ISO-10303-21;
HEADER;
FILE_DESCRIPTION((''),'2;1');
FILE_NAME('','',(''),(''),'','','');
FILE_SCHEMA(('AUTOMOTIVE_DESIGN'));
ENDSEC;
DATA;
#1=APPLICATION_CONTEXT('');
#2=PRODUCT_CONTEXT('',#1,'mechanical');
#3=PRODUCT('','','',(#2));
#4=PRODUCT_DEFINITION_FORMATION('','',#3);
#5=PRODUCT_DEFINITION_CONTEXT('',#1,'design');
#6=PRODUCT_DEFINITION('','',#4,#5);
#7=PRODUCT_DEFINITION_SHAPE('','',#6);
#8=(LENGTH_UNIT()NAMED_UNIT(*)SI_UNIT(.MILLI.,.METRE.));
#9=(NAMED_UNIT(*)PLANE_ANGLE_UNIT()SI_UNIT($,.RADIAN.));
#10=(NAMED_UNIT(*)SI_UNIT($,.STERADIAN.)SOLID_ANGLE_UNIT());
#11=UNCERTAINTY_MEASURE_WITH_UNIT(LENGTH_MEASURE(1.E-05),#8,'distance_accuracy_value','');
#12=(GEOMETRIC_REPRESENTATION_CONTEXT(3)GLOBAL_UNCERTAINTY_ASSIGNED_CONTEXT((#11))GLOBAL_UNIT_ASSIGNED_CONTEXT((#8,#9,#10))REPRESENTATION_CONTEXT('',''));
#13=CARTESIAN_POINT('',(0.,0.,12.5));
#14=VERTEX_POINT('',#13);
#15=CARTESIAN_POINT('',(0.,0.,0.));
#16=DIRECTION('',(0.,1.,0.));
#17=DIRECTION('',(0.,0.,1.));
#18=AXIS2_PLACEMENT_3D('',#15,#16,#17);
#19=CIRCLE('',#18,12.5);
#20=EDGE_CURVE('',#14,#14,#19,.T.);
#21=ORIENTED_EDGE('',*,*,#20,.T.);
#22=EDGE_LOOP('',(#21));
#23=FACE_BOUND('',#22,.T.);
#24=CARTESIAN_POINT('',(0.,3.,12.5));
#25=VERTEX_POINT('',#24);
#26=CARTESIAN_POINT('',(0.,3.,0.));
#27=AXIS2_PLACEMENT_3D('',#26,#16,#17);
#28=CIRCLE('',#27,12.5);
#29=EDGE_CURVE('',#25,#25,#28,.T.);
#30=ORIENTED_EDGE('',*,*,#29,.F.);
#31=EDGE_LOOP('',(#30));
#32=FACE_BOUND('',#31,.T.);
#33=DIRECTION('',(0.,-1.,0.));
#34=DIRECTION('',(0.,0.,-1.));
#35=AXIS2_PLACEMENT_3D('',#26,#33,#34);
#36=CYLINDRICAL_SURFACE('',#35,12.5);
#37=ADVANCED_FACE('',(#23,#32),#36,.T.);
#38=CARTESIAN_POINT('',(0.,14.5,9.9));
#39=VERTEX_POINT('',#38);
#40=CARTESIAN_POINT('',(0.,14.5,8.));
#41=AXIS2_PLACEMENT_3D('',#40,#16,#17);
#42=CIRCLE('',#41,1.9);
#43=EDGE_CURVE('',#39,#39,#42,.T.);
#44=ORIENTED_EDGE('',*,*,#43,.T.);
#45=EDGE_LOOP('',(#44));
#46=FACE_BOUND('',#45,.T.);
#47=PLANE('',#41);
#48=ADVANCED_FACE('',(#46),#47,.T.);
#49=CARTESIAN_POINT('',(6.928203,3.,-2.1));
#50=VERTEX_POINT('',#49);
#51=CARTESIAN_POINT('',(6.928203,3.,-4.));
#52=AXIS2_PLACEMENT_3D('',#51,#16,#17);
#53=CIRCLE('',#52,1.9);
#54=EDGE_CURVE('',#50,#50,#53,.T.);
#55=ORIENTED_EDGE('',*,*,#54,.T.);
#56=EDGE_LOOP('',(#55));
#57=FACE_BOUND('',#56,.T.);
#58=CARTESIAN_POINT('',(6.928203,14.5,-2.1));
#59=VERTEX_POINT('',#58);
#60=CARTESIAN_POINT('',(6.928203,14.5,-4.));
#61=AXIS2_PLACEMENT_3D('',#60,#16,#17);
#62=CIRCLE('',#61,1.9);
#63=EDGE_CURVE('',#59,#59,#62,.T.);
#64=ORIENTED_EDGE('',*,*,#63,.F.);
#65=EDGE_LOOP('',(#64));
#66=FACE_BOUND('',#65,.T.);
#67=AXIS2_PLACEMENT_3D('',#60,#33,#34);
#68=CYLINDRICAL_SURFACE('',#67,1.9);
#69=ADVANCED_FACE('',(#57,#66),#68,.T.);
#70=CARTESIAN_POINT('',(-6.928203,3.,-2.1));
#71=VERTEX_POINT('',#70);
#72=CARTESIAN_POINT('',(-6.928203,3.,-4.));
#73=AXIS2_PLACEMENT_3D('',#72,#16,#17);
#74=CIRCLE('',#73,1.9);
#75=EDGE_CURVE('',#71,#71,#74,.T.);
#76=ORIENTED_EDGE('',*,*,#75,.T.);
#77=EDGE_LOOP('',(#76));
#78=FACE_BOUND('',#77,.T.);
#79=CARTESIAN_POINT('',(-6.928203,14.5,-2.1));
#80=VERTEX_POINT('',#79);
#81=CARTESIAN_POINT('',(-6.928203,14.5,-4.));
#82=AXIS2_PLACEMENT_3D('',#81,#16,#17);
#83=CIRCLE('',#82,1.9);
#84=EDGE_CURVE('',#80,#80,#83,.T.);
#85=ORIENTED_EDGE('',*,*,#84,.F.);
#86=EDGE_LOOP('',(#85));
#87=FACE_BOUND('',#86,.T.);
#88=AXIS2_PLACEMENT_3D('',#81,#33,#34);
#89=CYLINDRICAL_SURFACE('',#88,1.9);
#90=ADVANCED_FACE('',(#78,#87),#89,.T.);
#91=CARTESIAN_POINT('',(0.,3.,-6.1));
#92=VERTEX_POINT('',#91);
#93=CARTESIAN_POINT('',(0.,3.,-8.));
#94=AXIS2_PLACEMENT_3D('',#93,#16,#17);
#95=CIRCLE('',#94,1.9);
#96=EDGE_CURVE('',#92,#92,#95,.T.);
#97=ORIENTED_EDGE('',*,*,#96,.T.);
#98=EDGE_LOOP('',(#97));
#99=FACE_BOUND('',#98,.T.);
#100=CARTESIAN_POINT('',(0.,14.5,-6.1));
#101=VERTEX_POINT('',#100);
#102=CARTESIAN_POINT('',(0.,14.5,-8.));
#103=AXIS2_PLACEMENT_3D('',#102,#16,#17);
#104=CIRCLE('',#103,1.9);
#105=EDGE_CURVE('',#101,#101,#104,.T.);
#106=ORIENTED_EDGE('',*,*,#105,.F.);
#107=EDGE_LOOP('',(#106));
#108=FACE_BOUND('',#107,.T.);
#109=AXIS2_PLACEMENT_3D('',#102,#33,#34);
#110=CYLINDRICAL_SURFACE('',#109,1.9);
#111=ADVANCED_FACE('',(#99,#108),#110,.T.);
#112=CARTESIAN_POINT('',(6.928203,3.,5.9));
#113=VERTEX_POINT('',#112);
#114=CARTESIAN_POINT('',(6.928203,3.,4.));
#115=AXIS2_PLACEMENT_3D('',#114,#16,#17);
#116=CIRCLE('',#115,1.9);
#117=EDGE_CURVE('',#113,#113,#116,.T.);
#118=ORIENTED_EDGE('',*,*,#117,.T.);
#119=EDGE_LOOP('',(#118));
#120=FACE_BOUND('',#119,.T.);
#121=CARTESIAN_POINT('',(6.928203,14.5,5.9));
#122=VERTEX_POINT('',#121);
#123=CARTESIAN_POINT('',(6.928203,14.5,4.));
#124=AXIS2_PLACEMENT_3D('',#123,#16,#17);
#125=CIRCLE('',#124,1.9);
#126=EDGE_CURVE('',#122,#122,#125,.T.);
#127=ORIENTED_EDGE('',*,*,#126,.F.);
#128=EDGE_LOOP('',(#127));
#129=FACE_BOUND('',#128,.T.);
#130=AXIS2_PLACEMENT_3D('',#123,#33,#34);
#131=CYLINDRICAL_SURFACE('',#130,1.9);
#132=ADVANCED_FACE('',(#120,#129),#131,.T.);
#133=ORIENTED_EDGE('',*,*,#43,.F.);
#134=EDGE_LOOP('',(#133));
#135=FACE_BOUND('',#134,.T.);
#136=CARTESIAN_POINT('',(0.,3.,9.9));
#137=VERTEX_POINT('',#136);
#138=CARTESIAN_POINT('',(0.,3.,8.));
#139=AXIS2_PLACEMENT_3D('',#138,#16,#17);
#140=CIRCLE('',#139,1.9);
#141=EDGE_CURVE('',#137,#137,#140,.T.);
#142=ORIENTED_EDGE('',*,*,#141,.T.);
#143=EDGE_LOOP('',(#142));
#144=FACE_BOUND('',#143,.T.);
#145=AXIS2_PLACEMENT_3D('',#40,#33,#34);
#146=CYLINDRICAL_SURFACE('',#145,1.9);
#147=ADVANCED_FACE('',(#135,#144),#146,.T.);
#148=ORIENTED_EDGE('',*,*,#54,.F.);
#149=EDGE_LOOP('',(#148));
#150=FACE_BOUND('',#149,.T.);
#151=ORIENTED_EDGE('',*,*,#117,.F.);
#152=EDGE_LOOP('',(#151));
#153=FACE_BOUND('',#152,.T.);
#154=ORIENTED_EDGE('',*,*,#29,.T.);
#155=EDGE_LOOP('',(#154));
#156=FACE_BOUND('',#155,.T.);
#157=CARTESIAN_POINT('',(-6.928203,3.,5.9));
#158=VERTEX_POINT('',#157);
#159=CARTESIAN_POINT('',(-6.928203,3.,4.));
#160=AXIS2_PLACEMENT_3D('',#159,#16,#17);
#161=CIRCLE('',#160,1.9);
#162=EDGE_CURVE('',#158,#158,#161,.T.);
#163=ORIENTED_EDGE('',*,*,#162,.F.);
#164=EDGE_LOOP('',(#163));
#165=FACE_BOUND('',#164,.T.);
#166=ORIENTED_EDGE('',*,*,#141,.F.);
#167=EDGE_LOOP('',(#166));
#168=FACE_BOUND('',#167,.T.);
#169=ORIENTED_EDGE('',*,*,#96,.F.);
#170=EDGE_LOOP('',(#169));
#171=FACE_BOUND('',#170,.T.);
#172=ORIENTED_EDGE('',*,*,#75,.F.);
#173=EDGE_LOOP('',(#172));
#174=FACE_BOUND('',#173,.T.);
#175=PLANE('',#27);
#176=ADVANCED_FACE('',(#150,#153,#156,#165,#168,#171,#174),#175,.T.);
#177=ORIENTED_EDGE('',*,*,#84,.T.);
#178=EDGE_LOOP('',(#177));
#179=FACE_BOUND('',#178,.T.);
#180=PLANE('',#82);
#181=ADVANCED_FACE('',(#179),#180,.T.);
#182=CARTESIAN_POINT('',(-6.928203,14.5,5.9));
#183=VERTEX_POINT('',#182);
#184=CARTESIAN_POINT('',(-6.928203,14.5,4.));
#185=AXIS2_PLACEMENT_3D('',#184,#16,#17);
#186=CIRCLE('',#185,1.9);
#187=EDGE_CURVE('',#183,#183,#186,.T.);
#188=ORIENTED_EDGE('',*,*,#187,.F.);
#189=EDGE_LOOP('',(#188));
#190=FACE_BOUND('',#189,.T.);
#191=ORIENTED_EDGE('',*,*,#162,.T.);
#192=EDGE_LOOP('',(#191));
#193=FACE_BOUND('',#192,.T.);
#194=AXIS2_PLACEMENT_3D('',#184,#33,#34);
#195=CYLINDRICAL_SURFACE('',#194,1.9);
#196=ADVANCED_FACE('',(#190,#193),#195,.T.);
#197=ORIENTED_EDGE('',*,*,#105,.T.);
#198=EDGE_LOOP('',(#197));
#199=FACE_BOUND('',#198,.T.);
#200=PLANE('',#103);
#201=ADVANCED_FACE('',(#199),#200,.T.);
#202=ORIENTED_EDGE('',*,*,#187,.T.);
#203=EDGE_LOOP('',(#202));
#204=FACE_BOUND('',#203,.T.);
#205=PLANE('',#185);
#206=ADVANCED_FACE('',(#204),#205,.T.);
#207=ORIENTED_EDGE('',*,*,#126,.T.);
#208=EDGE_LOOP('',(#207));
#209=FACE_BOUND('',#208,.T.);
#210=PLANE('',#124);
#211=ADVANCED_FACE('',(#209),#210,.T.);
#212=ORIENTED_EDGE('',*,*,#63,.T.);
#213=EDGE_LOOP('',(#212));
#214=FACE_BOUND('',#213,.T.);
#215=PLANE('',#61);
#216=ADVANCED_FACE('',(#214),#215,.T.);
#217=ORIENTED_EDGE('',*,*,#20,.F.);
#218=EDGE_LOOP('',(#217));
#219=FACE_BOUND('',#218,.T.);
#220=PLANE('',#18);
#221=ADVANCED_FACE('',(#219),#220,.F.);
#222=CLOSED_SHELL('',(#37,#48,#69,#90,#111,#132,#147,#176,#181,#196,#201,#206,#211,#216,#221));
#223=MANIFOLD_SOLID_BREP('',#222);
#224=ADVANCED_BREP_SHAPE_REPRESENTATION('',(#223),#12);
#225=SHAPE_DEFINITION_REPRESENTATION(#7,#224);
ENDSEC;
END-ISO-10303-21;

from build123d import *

# Parameters (mm, degrees)
SKETCH_2_R      = 12.5
EXTRUDE_1_DEPTH = 3
SKETCH_3_R      = 1.9
EXTRUDE_2_DEPTH = 11.5


with BuildPart() as part:
    # 草图2 → 凸台-拉伸1 (new body)
    with BuildSketch(Plane(origin=(0, 0, 0), x_dir=(1, 0, 0), z_dir=(0, 1, 0))):
        with Locations(Location((0, 0, 0), (0, 0, 270))):
            Circle(SKETCH_2_R)
    extrude(amount=EXTRUDE_1_DEPTH)

    # 草图3 → 凸台-拉伸2 (add)
    with BuildSketch(Plane(origin=(0, 3, 0), x_dir=(1, 0, 0), z_dir=(0, 1, 0))):
        with Locations(Location((0, 8, 0), (0, 0, 270))):
            Circle(SKETCH_3_R)
        with Locations(Location((6.92820323, 4, 0), (0, 0, 270))):
            Circle(SKETCH_3_R)
        with Locations(Location((6.92820323, -4, 0), (0, 0, 270))):
            Circle(SKETCH_3_R)
        with Locations(Location((0, -8, 0), (0, 0, 270))):
            Circle(SKETCH_3_R)
        with Locations(Location((-6.92820323, -4, 0), (0, 0, 270))):
            Circle(SKETCH_3_R)
        with Locations(Location((-6.92820323, 4, 0), (0, 0, 270))):
            Circle(SKETCH_3_R)
    extrude(amount=EXTRUDE_2_DEPTH)


solid = part.part
